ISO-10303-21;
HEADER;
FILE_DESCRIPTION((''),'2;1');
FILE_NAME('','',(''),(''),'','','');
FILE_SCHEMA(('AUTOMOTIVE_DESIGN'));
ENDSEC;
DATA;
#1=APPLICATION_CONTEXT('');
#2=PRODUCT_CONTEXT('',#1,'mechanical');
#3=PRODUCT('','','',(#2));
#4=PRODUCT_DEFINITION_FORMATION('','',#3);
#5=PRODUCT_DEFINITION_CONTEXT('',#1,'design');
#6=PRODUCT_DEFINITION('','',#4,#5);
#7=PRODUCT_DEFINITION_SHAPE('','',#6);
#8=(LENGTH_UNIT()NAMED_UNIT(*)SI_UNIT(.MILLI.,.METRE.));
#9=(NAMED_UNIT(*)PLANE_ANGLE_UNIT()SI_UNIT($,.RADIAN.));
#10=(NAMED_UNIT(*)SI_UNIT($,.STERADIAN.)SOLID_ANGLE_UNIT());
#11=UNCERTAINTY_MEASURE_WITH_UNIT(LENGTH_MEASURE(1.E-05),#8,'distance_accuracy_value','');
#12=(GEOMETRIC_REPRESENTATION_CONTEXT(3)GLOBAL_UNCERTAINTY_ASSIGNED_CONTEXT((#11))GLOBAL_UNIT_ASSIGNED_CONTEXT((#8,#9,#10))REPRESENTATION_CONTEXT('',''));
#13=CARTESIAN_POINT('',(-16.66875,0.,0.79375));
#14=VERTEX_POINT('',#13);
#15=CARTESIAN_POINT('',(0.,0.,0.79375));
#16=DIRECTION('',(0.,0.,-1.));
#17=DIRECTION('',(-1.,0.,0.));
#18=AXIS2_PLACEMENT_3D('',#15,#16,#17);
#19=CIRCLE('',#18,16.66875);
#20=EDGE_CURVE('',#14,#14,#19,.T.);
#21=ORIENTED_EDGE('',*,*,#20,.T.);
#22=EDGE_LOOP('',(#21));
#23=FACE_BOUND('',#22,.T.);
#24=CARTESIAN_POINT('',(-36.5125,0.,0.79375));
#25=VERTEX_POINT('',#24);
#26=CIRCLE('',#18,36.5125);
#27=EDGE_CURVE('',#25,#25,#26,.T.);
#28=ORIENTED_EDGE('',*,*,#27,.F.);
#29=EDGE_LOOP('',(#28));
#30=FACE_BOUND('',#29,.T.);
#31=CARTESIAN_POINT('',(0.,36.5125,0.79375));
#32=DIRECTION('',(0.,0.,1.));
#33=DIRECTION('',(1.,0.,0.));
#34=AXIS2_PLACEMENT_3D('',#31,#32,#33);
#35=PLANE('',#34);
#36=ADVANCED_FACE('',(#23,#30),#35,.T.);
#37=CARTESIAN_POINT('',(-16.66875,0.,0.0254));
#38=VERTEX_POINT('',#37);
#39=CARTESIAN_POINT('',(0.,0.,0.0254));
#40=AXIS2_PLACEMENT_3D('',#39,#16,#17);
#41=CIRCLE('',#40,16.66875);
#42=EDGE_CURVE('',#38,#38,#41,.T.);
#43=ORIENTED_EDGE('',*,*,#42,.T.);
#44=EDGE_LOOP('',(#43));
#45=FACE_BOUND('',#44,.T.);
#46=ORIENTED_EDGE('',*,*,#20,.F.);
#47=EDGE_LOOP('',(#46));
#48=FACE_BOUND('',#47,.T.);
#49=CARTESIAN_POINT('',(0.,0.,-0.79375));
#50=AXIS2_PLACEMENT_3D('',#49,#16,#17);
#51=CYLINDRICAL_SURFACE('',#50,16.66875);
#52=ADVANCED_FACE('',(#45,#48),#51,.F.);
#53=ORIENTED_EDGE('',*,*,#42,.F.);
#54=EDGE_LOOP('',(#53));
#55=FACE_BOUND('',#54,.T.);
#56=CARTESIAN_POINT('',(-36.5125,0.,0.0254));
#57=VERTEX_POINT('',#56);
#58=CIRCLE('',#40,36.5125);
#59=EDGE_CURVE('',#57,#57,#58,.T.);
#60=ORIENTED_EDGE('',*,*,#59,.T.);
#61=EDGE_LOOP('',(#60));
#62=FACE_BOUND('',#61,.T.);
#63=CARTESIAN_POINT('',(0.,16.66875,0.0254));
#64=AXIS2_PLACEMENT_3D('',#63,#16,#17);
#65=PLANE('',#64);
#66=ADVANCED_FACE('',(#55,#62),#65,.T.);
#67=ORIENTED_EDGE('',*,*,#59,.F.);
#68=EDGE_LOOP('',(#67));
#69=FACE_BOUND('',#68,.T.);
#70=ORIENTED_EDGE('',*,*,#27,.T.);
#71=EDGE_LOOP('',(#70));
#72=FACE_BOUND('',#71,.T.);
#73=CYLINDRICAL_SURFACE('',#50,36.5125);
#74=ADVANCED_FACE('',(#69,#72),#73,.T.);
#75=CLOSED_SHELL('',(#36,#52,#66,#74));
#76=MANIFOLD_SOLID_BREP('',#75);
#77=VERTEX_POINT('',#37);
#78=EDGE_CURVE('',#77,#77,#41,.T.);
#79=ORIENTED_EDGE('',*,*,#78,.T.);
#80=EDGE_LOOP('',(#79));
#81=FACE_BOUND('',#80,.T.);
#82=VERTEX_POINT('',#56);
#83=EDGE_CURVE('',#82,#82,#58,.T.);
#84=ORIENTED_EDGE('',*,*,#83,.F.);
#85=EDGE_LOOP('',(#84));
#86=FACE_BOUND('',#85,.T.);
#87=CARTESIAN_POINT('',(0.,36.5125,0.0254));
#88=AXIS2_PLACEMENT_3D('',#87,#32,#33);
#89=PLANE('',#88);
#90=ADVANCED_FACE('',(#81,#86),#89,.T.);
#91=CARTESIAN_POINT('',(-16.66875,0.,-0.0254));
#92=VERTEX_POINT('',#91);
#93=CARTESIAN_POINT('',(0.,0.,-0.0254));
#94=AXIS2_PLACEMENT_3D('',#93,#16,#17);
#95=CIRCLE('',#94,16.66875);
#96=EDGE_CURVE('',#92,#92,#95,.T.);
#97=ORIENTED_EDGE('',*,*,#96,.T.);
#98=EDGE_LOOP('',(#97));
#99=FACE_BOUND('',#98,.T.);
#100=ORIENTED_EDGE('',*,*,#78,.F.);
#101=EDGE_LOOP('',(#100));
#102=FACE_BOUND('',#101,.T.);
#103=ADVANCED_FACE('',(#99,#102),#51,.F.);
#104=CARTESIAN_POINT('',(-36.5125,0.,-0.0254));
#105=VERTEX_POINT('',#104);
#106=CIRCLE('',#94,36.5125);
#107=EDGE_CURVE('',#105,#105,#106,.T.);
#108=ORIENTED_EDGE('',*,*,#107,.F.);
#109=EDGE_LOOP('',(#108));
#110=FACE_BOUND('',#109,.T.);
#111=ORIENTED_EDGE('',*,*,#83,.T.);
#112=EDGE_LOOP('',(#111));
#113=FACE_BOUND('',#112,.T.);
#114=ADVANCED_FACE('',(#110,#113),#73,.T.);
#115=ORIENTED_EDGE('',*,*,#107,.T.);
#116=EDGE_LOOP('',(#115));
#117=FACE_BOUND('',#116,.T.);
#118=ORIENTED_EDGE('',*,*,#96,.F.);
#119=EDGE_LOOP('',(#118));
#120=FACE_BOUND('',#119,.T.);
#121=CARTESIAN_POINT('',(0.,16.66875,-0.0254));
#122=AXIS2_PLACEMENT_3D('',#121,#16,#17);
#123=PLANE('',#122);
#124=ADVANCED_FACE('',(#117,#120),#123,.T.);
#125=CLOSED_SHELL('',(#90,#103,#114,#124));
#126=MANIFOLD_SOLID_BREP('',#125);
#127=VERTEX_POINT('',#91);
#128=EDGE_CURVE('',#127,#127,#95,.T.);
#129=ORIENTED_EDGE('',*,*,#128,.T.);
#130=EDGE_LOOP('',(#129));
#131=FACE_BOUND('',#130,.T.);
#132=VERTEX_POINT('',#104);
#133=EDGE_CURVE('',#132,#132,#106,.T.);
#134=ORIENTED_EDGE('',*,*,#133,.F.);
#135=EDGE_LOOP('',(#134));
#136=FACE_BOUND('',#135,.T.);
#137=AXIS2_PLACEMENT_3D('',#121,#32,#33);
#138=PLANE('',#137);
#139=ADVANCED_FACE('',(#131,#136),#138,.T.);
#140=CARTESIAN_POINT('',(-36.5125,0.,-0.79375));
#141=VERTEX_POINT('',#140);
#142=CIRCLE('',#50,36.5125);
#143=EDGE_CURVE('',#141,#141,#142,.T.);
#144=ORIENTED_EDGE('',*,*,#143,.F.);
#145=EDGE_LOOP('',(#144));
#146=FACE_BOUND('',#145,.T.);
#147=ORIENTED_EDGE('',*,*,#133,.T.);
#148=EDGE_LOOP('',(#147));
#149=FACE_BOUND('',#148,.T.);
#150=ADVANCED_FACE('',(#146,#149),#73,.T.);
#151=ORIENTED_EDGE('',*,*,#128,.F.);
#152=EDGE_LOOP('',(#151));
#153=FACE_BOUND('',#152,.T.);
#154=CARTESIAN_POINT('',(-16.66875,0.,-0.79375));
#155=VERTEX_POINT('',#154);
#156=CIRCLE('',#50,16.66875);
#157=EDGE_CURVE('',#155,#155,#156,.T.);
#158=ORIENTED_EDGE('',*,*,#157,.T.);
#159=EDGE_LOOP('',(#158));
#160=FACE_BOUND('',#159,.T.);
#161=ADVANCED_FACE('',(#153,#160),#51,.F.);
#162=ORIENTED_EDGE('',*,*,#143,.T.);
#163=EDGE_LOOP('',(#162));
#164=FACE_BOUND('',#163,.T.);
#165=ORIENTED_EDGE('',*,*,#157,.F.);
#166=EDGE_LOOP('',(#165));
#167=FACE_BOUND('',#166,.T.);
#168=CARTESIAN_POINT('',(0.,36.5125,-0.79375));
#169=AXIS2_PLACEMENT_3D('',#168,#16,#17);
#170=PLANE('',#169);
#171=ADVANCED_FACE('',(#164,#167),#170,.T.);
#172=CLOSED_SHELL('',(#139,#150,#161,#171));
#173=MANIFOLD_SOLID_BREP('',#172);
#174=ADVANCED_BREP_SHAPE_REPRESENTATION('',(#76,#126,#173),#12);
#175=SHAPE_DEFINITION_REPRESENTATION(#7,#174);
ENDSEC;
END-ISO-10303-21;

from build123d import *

# Parameters (mm, degrees)
SKETCH3_W = 0.0508
SKETCH3_H = 19.84375
SKETCH4_W = 0.76835
SKETCH4_H = 19.84375


with BuildPart() as part:
    # Sketch3 → Revolve1 (revolve)
    with BuildSketch(Plane(origin=(0, 0, 0), x_dir=(0, 0, -1), z_dir=(1, 0, 0)), mode=Mode.PRIVATE) as revolve1_sk:
        with Locations((0, 26.590625)):
            Rectangle(SKETCH3_W, SKETCH3_H)
    revolve(revolve1_sk.sketch.rotate(Axis((0, 0, -0.79375), (0, 0, 1)), 90), axis=Axis((0, 0, -0.79375), (0, 0, 1)))


with BuildPart() as body_2:
    # Sketch4 → Revolve2 (revolve)
    with BuildSketch(Plane(origin=(0, 0, 0), x_dir=(0, 0, -1), z_dir=(1, 0, 0)), mode=Mode.PRIVATE) as revolve2_sk:
        with Locations((-0.409575, 26.590625)):
            Rectangle(SKETCH4_W, SKETCH4_H)
        with Locations((0.409575, 26.590625)):
            Rectangle(SKETCH4_W, SKETCH4_H)
    revolve(revolve2_sk.sketch.rotate(Axis((0, 0, -0.79375), (0, 0, 1)), 90), axis=Axis((0, 0, -0.79375), (0, 0, 1)))


solid = Compound([part.part, body_2.part])
